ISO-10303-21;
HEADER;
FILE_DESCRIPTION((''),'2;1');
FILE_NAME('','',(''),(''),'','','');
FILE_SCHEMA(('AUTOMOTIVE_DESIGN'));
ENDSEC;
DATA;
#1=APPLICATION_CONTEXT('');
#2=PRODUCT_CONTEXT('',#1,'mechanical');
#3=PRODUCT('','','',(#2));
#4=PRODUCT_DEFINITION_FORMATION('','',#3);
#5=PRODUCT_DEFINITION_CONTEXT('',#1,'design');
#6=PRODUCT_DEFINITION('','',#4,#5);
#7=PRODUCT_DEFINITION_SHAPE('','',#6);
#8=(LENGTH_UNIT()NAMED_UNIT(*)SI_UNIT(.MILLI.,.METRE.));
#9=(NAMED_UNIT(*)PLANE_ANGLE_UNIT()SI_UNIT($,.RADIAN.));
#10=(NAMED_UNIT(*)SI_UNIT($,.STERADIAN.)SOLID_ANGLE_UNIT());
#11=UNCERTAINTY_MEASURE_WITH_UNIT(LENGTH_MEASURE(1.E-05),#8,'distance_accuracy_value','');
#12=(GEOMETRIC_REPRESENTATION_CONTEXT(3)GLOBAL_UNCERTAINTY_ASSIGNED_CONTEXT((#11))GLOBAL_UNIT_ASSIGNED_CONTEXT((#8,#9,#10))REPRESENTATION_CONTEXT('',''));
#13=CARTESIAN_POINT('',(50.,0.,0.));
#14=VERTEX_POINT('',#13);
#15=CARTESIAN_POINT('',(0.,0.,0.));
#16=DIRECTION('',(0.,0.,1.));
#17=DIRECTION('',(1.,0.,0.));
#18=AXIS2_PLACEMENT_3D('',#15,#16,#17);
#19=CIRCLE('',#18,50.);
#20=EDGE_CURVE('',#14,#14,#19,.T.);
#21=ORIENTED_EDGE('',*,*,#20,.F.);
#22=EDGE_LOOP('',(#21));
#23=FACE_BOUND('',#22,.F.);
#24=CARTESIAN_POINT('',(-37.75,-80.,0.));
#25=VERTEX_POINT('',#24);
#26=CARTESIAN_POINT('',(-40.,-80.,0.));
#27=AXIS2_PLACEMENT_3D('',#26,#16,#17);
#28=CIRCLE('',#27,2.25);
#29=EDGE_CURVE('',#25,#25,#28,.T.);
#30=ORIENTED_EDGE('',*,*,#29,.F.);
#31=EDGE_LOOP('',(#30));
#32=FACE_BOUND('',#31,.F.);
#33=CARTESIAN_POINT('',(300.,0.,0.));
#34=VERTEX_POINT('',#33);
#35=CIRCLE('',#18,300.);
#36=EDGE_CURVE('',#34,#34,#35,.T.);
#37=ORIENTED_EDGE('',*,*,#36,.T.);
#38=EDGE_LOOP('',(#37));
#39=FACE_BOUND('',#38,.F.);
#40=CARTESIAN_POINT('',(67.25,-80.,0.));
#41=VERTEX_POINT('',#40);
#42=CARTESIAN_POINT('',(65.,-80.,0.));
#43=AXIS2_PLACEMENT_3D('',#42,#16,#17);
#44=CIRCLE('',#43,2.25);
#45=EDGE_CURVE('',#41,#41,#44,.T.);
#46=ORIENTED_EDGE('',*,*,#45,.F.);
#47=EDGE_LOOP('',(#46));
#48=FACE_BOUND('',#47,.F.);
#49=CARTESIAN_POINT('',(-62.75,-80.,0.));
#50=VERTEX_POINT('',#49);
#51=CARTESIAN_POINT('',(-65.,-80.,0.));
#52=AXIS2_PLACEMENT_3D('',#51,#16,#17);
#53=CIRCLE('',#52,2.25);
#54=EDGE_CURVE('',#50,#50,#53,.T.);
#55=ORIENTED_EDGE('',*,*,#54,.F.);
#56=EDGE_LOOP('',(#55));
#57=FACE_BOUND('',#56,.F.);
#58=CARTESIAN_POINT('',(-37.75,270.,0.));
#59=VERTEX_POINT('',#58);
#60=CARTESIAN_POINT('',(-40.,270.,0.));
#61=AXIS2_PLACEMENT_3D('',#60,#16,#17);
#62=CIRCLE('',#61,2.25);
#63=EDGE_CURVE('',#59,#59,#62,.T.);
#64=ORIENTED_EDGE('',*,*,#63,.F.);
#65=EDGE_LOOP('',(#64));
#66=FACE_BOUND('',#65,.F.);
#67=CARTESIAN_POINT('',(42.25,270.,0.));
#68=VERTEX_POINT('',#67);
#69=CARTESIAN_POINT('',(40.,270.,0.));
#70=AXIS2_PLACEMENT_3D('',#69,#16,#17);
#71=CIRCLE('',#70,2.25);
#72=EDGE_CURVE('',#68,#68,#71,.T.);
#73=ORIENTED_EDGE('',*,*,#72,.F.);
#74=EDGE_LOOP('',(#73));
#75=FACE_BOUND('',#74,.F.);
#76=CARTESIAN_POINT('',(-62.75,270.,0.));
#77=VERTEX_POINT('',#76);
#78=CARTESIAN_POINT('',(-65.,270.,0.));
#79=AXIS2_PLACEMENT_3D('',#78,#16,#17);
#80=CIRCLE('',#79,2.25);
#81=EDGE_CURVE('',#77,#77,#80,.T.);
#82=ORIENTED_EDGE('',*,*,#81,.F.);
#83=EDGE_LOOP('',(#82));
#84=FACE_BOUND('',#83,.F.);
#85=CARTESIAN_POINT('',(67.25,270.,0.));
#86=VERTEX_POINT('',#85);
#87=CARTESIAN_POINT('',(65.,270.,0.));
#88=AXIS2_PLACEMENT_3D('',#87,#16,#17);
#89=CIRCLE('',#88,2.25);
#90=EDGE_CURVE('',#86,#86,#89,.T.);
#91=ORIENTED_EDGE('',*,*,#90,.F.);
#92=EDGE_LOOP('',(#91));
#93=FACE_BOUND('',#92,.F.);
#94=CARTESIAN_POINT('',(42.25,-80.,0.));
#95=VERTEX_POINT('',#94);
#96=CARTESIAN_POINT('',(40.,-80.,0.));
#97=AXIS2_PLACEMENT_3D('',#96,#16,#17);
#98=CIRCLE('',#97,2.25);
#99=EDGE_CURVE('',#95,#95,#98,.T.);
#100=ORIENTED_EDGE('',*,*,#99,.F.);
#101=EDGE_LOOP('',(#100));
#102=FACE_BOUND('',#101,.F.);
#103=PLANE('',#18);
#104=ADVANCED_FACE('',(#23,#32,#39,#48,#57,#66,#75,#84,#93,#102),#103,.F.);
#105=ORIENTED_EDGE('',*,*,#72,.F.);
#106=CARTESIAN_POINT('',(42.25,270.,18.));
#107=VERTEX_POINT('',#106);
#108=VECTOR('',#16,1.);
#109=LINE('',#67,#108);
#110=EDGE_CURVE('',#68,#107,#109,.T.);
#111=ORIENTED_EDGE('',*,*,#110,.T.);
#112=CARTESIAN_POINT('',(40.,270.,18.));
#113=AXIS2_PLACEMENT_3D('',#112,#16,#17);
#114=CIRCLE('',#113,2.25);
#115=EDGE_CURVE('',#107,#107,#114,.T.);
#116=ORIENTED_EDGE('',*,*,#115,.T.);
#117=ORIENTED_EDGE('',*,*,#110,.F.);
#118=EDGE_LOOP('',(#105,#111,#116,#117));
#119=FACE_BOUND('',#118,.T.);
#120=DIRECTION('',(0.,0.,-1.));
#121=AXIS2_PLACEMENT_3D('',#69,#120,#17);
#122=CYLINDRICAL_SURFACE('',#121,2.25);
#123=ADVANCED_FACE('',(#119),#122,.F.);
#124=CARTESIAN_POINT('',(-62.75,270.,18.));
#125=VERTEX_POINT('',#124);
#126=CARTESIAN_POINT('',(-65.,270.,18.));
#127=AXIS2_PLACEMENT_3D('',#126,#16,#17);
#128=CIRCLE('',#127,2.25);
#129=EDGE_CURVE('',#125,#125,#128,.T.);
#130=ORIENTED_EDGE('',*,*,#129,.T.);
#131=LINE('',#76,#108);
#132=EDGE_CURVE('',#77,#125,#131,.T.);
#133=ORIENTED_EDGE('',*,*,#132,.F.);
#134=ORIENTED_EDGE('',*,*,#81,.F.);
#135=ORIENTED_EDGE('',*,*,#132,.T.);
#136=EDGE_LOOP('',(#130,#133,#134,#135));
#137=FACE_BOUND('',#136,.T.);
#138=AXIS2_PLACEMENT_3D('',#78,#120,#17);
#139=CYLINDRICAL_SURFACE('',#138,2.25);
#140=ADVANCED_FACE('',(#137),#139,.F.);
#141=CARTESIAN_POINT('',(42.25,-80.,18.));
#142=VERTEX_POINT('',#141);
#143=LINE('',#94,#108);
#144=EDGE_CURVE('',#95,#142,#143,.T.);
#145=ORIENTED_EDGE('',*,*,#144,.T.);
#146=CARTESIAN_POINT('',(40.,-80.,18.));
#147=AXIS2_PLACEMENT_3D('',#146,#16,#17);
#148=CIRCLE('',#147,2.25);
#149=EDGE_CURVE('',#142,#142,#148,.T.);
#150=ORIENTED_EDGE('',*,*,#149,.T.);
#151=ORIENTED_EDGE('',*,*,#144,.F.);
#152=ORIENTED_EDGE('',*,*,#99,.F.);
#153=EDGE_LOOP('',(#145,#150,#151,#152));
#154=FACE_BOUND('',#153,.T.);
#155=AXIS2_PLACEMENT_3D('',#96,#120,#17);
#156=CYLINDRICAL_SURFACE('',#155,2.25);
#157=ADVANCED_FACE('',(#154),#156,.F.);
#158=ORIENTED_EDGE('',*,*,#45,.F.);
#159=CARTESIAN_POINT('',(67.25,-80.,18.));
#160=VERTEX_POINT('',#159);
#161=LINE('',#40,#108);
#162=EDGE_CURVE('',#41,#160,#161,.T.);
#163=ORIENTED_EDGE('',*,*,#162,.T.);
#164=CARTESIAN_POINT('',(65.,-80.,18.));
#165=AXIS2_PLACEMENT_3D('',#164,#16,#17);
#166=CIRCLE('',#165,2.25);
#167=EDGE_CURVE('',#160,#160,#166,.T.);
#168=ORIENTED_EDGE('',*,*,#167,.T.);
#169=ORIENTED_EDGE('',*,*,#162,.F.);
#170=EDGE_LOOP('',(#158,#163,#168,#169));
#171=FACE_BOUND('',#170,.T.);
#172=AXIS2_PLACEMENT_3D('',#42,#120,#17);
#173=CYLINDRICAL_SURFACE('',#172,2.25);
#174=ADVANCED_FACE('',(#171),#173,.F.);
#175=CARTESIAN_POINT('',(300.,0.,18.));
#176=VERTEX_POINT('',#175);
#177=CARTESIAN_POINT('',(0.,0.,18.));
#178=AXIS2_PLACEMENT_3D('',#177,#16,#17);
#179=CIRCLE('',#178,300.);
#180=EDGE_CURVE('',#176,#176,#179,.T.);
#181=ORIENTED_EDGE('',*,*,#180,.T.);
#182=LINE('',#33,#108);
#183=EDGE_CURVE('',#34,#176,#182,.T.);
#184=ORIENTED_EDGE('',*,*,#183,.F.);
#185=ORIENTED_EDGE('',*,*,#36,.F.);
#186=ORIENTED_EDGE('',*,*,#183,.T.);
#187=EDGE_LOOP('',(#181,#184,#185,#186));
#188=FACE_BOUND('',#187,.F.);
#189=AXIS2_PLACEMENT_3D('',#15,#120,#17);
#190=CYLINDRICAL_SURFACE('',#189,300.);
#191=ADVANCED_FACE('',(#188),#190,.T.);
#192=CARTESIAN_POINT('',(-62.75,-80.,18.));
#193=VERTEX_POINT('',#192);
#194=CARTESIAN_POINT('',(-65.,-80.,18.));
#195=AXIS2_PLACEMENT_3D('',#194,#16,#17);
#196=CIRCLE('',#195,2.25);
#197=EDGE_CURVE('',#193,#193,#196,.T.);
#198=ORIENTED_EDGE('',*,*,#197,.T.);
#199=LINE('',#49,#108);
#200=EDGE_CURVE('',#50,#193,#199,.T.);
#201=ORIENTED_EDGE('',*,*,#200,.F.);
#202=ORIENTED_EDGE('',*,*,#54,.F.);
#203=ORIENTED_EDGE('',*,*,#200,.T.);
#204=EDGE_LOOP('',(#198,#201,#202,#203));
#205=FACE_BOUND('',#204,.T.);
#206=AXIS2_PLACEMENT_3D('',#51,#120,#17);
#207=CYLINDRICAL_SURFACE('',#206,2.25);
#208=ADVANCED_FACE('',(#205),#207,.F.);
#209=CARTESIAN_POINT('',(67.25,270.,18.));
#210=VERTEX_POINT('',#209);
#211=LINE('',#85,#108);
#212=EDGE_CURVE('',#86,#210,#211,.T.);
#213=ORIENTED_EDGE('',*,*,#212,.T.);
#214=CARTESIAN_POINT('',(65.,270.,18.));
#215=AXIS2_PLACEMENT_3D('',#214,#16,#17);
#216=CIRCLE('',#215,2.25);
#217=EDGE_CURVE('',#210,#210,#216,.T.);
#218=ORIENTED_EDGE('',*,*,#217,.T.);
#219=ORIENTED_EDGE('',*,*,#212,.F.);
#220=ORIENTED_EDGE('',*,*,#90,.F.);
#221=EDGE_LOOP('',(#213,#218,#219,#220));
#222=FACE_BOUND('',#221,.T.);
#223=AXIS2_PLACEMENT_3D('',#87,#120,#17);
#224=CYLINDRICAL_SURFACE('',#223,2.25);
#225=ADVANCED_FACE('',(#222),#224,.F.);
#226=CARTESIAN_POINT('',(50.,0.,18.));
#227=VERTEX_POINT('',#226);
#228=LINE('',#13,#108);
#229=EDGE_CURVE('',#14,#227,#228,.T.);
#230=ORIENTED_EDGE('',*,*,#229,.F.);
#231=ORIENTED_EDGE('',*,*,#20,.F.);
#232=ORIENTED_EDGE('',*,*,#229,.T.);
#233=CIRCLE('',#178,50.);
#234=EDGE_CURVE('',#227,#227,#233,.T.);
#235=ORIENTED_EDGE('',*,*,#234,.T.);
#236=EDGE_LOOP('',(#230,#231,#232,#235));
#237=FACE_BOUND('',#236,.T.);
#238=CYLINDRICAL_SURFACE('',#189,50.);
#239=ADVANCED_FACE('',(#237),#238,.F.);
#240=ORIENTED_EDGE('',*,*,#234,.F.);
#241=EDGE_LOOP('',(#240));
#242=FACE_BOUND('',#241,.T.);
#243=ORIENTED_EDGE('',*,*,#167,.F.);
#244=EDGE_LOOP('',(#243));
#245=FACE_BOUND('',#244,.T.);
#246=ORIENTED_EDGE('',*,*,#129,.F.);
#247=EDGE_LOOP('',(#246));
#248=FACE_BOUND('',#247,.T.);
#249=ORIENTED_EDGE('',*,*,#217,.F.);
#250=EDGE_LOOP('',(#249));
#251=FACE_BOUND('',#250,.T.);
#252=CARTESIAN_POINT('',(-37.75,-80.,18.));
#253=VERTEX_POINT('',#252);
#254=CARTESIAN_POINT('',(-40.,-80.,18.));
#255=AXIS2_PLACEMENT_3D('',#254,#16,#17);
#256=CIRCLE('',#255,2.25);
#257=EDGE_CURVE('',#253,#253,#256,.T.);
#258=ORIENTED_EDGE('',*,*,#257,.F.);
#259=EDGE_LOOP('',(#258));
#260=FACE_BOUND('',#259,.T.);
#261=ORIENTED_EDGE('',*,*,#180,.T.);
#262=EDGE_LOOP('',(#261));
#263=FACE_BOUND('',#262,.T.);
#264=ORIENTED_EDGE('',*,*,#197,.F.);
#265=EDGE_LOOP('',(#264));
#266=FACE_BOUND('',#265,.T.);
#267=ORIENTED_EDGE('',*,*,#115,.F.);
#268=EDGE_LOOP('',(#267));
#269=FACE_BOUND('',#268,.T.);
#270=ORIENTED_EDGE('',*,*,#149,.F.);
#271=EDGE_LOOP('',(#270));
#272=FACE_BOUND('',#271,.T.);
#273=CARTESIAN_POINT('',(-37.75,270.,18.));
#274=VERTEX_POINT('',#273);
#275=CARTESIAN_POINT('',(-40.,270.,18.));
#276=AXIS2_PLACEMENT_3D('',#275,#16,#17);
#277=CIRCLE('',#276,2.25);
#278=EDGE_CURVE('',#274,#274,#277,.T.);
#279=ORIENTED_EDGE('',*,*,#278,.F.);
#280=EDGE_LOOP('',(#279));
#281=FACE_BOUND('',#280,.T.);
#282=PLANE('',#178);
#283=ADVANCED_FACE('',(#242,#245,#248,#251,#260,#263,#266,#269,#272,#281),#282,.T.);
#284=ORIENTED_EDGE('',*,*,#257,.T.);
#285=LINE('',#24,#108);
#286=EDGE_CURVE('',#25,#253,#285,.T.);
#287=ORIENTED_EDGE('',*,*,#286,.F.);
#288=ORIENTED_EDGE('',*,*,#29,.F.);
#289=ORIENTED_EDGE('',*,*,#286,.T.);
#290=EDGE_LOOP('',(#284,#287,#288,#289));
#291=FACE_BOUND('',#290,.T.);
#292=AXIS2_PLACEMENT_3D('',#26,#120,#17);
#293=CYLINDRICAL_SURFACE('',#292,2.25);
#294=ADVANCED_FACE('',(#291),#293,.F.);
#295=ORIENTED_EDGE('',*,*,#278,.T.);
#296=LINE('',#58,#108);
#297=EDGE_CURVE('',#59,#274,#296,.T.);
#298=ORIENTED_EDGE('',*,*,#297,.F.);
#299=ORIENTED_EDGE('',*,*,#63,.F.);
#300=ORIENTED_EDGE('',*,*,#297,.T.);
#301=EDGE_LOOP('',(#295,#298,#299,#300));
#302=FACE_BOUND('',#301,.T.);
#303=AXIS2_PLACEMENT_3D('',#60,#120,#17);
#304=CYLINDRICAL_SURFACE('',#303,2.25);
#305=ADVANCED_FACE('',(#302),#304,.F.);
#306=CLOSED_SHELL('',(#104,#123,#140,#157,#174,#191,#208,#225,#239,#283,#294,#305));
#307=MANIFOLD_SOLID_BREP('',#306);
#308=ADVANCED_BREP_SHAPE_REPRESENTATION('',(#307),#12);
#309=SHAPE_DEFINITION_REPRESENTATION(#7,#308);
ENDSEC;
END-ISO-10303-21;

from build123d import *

# Parameters (mm, degrees)
F0_R     = 300
F0_R_2   = 2.25
F0_R_3   = 50
F1_DEPTH = 18


with BuildPart() as f1:
    # F0 (on Top) → F1 (new body)
    with BuildSketch(Plane.XY):
        Circle(F0_R)
        with Locations((-65, -80)):
            Circle(F0_R_2, mode=Mode.SUBTRACT)
        with Locations((-40, -80)):
            Circle(F0_R_2, mode=Mode.SUBTRACT)
        with Locations((40, -80)):
            Circle(F0_R_2, mode=Mode.SUBTRACT)
        with Locations((65, -80)):
            Circle(F0_R_2, mode=Mode.SUBTRACT)
        with Locations((-65, 270)):
            Circle(F0_R_2, mode=Mode.SUBTRACT)
        with Locations((-40, 270)):
            Circle(F0_R_2, mode=Mode.SUBTRACT)
        Circle(F0_R_3, mode=Mode.SUBTRACT)
        with Locations((40, 270)):
            Circle(F0_R_2, mode=Mode.SUBTRACT)
        with Locations((65, 270)):
            Circle(F0_R_2, mode=Mode.SUBTRACT)
    extrude(amount=F1_DEPTH)


solid = f1.part
